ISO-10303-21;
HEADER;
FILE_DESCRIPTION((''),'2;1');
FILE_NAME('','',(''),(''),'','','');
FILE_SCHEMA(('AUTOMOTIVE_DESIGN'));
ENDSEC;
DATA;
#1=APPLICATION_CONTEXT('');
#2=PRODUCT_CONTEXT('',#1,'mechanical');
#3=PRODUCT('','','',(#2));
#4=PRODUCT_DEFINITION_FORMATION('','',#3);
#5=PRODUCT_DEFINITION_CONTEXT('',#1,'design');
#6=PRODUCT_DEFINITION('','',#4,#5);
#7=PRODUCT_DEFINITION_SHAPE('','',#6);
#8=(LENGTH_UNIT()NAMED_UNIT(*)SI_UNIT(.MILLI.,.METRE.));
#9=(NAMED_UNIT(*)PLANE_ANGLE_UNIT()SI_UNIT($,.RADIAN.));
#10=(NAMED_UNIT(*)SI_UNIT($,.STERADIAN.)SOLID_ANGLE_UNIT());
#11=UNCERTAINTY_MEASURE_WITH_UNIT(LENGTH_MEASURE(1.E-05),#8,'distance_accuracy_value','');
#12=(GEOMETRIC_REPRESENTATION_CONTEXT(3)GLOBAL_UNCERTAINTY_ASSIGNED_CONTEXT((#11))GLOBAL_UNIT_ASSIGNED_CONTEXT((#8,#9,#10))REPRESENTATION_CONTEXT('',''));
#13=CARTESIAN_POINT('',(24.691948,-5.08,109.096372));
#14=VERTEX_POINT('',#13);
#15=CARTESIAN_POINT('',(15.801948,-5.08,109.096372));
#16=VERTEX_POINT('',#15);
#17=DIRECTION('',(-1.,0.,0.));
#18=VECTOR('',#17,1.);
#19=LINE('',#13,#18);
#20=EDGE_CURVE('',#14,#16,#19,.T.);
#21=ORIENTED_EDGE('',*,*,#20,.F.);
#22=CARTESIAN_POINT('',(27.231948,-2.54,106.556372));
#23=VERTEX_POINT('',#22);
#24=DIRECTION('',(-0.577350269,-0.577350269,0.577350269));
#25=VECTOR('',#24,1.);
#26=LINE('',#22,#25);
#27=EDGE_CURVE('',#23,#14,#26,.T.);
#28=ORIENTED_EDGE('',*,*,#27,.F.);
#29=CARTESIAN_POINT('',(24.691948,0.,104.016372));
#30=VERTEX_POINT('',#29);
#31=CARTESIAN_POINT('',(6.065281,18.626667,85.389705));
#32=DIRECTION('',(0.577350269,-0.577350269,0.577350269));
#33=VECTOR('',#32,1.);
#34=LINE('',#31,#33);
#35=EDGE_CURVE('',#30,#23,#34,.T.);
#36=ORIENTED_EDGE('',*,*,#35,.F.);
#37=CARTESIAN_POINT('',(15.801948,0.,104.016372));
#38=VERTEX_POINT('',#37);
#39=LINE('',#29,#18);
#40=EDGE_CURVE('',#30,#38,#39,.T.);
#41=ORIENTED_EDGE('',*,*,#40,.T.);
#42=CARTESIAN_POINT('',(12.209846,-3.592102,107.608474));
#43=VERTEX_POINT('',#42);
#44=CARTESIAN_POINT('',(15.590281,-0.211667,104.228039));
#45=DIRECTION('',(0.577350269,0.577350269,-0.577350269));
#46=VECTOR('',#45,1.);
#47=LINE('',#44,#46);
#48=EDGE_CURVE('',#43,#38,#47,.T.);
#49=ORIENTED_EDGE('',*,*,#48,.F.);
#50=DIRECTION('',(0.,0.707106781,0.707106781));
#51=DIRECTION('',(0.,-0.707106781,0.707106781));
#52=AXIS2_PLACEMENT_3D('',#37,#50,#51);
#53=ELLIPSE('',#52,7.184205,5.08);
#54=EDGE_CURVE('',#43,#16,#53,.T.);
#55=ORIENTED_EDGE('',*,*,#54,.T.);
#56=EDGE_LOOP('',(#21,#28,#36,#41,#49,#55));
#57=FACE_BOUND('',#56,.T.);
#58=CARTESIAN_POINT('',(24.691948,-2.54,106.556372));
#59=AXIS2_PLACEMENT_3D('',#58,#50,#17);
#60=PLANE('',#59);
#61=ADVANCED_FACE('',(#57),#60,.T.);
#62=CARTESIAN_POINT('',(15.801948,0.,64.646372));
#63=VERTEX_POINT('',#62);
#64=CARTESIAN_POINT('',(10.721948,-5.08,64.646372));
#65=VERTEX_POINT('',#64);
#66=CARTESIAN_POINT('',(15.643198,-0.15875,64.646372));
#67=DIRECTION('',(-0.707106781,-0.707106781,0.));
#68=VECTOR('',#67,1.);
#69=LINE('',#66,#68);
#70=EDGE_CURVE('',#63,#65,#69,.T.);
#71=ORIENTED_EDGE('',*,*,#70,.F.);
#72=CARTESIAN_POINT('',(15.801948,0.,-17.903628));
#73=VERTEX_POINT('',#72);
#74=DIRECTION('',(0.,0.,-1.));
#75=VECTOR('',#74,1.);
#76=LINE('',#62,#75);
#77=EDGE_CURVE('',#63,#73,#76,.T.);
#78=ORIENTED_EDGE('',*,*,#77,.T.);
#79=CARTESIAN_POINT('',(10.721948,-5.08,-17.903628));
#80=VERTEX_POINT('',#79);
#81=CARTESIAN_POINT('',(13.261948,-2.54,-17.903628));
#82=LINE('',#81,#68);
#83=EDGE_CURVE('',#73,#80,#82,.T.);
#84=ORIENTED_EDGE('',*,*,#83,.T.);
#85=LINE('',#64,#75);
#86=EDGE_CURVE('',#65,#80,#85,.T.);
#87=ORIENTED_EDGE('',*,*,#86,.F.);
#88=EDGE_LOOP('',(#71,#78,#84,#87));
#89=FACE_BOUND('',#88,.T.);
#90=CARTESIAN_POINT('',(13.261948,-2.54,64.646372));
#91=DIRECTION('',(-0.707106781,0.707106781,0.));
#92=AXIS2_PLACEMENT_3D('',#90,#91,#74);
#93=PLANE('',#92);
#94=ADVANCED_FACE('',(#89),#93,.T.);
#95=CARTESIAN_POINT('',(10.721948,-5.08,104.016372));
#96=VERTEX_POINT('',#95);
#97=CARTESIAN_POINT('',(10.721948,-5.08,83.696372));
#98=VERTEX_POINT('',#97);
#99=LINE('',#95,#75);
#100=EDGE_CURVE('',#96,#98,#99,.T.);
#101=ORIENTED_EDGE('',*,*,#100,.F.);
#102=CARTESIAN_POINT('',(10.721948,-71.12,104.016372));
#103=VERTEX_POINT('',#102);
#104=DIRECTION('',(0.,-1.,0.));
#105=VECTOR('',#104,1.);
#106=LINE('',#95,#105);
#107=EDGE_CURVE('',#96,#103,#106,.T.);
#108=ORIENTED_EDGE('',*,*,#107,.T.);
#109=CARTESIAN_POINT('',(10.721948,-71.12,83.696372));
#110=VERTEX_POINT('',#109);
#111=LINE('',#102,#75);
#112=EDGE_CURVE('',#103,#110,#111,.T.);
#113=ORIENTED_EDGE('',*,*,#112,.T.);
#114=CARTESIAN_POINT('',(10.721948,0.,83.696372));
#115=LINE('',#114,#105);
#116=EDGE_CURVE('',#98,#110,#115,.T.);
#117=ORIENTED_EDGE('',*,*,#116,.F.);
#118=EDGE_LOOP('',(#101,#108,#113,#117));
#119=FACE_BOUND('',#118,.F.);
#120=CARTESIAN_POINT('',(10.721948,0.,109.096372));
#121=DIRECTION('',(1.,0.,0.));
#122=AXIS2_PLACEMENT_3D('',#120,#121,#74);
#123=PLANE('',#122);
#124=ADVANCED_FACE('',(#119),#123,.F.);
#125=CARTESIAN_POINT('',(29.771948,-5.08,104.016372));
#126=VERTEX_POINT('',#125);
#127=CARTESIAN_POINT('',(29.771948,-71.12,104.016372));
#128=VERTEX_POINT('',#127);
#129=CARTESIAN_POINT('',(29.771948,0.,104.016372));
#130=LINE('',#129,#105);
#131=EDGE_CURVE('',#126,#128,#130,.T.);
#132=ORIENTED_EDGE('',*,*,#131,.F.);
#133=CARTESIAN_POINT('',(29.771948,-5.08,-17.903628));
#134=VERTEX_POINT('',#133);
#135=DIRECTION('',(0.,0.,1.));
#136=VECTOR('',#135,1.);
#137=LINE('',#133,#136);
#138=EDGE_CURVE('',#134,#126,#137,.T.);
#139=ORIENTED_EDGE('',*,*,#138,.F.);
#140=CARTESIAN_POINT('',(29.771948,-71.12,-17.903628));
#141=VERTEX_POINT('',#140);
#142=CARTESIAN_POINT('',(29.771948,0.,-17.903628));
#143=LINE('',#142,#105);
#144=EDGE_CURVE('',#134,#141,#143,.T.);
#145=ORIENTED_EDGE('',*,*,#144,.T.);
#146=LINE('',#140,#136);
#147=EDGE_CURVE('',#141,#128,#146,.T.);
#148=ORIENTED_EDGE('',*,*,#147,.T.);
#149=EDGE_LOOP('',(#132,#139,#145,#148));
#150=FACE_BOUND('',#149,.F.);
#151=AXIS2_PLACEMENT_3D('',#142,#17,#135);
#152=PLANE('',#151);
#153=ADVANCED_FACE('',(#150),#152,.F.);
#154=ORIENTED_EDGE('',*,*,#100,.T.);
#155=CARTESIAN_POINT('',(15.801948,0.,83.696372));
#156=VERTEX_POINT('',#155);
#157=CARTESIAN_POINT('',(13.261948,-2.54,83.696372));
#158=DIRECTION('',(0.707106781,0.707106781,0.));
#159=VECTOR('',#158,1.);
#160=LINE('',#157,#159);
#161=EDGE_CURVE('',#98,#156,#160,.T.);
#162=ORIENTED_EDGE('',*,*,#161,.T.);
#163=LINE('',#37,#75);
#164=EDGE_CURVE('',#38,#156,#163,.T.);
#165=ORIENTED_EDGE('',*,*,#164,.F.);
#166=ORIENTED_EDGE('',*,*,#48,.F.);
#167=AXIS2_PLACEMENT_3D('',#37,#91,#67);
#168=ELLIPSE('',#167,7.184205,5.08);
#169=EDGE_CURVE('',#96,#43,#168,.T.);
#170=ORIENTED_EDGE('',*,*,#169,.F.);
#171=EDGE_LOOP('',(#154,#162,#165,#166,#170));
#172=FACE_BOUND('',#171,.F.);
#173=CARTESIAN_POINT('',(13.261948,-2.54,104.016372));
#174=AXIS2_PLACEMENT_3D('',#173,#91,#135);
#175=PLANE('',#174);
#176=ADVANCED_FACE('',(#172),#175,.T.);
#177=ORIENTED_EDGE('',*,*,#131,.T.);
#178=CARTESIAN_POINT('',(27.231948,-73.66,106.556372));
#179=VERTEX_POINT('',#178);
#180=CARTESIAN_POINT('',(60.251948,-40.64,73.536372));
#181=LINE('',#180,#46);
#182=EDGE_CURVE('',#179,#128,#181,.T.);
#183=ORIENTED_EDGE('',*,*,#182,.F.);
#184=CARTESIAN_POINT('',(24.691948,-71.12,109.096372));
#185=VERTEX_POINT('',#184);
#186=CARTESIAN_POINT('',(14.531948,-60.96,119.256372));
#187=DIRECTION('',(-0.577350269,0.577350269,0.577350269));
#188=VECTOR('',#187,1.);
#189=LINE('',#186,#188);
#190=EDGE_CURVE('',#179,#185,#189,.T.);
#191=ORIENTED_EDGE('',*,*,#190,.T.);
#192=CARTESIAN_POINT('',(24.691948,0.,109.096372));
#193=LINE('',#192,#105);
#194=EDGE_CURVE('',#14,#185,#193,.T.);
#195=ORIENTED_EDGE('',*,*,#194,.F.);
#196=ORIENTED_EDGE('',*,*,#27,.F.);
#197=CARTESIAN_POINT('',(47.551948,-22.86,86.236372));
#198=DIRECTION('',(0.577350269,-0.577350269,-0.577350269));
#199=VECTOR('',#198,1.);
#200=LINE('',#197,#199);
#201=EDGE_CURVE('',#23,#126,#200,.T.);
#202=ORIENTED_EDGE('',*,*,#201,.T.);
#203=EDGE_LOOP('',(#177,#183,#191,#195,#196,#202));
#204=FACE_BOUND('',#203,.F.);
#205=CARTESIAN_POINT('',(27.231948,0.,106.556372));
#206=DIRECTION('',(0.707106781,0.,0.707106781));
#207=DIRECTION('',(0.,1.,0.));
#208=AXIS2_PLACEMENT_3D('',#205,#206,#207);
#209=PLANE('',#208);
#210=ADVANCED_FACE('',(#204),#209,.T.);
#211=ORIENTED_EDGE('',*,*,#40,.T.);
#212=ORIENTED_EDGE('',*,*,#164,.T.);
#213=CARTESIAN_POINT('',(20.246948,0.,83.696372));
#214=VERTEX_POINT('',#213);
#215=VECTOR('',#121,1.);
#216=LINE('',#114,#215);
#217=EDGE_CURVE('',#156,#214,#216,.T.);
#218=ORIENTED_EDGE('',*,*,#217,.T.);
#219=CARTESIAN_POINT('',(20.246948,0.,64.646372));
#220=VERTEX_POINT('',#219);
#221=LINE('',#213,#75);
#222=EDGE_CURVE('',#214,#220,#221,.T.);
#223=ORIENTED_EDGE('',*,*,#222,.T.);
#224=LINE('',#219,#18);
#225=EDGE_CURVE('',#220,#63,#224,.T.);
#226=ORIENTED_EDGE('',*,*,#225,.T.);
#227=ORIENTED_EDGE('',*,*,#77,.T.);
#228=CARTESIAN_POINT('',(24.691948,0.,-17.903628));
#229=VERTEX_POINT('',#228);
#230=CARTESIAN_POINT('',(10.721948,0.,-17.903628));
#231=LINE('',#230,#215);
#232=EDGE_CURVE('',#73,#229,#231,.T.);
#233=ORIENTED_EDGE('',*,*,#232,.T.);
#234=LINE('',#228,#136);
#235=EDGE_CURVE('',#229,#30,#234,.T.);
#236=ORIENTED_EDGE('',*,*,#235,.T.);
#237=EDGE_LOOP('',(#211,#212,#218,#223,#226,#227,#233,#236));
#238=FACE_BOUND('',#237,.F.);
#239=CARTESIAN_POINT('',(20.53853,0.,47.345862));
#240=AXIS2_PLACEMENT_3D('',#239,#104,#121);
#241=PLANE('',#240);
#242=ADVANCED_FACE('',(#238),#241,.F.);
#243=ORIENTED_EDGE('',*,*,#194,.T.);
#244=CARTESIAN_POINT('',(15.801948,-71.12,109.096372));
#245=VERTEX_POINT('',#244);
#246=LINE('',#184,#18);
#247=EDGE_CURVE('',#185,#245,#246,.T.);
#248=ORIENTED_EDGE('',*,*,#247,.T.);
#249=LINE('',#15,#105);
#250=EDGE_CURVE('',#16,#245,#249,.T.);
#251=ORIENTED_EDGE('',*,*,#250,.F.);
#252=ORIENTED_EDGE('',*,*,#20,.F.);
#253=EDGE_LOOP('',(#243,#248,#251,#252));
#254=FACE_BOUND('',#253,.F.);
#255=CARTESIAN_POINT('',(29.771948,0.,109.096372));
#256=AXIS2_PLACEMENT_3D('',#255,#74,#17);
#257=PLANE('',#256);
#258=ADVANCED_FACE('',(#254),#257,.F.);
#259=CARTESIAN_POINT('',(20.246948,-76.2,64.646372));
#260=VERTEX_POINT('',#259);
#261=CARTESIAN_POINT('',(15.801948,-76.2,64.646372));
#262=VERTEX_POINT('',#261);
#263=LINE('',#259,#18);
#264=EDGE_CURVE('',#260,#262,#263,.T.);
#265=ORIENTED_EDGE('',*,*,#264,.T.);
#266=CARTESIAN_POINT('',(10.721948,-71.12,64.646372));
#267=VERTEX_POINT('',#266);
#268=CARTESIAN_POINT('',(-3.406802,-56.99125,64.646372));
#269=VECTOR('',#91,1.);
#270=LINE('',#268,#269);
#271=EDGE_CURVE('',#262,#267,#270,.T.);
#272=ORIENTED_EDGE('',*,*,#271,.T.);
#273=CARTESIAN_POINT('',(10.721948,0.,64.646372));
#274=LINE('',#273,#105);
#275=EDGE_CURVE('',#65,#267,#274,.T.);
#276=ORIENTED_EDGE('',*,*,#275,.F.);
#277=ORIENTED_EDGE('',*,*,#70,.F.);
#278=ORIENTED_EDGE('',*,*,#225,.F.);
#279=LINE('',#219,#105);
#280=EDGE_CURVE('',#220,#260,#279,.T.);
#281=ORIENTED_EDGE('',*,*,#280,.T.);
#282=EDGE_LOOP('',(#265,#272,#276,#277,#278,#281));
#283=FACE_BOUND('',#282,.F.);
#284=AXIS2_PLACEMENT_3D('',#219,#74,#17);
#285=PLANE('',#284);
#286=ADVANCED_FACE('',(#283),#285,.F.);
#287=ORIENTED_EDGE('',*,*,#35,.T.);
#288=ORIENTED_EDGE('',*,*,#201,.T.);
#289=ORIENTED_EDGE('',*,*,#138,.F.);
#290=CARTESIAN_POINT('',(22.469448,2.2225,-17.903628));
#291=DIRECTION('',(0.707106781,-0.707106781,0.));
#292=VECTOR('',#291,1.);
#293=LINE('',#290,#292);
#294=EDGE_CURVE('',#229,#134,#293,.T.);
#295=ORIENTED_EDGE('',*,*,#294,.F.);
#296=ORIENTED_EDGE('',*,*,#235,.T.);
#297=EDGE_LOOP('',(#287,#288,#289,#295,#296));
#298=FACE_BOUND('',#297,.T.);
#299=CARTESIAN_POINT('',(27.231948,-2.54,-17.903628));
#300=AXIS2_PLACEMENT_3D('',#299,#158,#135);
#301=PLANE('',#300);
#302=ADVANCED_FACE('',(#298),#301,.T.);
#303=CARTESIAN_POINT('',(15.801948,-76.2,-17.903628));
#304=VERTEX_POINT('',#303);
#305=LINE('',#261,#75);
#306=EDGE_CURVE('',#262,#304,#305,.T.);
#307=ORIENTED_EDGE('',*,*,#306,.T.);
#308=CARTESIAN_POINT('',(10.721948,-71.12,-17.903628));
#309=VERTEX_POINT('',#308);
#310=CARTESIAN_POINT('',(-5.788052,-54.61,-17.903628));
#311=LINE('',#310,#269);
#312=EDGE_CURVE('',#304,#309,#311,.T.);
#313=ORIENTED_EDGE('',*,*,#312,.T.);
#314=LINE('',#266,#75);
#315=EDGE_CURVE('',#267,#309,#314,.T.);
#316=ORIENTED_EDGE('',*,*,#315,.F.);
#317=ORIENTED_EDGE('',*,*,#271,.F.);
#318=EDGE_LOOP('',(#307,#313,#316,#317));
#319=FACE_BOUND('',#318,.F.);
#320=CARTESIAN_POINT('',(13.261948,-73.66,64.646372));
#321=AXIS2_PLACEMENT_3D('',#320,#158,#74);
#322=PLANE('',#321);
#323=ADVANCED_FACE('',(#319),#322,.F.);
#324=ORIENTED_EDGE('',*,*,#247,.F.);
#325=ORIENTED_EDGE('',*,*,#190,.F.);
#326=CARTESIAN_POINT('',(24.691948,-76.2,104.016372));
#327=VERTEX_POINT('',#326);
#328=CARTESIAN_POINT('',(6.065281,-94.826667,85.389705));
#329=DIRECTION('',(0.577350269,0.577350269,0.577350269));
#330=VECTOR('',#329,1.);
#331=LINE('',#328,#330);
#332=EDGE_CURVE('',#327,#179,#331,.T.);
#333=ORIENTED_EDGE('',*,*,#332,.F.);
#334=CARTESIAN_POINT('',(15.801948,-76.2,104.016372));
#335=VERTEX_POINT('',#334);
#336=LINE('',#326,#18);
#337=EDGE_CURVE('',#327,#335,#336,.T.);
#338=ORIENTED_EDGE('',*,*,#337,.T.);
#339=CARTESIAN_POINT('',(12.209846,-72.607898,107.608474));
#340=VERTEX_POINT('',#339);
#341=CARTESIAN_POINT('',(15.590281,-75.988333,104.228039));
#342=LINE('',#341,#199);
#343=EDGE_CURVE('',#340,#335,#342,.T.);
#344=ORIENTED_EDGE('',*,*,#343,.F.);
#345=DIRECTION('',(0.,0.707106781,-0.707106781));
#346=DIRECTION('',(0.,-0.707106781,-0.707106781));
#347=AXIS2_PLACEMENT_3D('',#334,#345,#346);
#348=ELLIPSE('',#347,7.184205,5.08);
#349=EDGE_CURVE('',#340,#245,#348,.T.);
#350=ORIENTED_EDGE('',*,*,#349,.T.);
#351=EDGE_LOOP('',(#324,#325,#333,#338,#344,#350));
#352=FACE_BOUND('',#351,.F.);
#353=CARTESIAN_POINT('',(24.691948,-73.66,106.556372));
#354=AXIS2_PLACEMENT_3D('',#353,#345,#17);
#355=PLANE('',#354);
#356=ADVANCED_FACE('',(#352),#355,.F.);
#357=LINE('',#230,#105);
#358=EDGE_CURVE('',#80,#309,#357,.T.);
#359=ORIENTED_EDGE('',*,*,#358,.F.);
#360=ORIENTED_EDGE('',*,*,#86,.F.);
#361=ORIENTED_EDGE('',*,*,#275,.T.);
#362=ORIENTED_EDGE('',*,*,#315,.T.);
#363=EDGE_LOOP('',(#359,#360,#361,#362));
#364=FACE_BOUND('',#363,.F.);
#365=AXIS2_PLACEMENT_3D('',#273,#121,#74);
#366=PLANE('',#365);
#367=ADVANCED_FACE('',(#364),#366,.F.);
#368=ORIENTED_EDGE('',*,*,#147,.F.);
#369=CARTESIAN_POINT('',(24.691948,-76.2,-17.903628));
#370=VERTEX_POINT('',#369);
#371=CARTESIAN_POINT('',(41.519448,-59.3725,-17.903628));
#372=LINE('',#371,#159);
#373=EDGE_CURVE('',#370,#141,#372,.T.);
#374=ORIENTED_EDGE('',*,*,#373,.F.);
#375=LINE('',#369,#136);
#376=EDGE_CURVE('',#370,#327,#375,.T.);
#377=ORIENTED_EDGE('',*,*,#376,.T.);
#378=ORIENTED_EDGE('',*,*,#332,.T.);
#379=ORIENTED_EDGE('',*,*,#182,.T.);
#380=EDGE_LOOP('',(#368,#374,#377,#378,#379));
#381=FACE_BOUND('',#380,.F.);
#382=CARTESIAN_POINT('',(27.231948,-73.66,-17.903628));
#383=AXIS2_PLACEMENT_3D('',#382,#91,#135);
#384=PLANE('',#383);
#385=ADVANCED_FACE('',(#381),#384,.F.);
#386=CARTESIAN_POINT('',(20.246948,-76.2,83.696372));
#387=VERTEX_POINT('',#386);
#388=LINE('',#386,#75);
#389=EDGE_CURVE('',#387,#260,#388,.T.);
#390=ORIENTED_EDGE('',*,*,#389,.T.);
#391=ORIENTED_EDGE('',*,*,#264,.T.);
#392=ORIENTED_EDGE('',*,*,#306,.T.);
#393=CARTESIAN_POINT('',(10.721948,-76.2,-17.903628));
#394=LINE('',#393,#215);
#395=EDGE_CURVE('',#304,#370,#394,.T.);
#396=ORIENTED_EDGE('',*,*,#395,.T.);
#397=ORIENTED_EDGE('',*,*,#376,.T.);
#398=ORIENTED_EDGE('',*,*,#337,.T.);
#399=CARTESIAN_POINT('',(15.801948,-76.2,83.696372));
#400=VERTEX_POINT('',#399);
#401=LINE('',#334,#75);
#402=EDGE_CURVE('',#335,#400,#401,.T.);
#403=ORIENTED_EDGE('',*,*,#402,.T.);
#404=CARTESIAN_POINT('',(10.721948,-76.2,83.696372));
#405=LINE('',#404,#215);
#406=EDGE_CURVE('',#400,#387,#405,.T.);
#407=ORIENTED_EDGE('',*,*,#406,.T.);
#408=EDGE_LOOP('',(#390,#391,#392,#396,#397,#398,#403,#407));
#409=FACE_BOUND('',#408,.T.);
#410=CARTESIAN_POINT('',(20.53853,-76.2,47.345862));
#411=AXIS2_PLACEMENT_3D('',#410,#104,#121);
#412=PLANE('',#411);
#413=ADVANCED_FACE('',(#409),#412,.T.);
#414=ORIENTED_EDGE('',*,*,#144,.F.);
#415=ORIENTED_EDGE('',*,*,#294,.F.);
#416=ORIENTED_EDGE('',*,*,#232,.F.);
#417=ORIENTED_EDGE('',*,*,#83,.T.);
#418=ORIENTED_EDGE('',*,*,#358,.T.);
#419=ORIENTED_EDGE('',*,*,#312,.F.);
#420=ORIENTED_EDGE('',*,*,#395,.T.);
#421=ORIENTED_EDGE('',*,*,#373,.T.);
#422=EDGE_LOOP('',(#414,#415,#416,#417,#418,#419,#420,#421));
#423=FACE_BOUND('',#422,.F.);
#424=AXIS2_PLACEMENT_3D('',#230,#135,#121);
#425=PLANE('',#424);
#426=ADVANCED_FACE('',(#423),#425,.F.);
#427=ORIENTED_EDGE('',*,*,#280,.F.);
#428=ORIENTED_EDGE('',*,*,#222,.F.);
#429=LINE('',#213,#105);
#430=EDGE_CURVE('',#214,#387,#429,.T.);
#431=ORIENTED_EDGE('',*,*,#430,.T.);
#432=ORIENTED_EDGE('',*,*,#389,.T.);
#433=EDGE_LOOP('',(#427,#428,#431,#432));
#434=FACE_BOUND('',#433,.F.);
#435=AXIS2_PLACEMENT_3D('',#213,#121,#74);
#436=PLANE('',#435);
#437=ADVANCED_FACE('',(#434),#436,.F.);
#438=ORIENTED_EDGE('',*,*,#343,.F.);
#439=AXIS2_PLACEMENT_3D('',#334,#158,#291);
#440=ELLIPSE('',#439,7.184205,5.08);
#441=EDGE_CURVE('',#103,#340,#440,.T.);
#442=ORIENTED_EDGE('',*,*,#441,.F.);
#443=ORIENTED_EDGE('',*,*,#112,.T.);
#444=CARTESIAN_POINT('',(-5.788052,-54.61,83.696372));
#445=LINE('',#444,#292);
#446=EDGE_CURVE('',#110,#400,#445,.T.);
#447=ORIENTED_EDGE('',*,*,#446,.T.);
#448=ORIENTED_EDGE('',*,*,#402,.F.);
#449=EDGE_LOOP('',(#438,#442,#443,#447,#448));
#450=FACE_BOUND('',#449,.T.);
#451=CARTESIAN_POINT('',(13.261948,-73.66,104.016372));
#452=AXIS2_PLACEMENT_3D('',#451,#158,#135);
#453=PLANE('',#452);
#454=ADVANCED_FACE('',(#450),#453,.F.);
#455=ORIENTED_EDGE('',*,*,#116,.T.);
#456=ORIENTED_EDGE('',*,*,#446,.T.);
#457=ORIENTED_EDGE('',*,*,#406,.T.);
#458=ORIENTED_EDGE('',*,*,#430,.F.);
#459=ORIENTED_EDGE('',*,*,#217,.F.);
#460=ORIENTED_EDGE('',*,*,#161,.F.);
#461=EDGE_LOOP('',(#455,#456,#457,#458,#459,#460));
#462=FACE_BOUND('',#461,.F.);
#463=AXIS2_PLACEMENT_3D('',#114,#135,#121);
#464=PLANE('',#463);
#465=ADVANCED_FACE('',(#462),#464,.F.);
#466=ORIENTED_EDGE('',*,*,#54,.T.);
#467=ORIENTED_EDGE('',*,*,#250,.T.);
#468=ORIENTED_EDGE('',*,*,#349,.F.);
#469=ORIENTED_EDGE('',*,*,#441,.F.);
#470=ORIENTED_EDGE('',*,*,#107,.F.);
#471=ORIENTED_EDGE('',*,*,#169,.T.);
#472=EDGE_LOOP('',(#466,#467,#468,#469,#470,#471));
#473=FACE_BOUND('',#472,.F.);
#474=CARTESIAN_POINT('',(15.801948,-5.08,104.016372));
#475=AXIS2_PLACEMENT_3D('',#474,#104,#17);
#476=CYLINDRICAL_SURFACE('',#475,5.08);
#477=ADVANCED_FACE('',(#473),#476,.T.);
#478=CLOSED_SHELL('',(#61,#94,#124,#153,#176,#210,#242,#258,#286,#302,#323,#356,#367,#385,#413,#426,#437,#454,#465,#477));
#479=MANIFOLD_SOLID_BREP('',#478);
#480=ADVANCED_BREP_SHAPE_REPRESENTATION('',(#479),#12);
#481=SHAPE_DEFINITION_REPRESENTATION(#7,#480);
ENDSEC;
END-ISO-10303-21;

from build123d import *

# Parameters (mm, degrees)
F1_DEPTH = 76.2
F2_SIZE  = 5.08
F3_SIZE  = 5.08
F4_R     = 5.08
F5_SIZE  = 5.08


with BuildPart() as f1:
    # F0 (on Front) → F1 (new body)
    with BuildSketch(Plane.XZ):
        Polygon((29.771948, -17.903628), (29.771948, 109.096372), (10.721948, 109.096372), (10.721948, 83.696372), (20.246948, 83.696372), (20.246948, 64.646372), (10.721948, 64.646372), (10.721948, -17.903628), align=None)
    extrude(amount=F1_DEPTH)

    # F2
    f2_edges = [f1.edges().sort_by_distance(p)[0] for p in [
        (29.771948, -38.1, 109.096372),
    ]]
    chamfer(f2_edges, length=F2_SIZE)

    # F3
    f3_edges = [f1.edges().sort_by_distance(p)[0] for p in [
        (17.706948, -76.2, 109.096372),
        (17.706948, 0, 109.096372),
    ]]
    chamfer(f3_edges, length=F3_SIZE)

    # F4
    f4_edges = [f1.edges().sort_by_distance(p)[0] for p in [
        (10.721948, -38.1, 109.096372),
    ]]
    fillet(f4_edges, radius=F4_R)

    # F5
    f5_edges = [f1.edges().sort_by_distance(p)[0] for p in [
        (10.721948, -76.2, 93.856372),
        (29.771948, -76.2, 43.056372),
        (10.721948, -76.2, 23.371372),
        (29.771948, 0, 43.056372),
        (10.721948, 0, 93.856372),
        (10.721948, 0, 23.371372),
    ]]
    chamfer(f5_edges, length=F5_SIZE)


solid = f1.part
